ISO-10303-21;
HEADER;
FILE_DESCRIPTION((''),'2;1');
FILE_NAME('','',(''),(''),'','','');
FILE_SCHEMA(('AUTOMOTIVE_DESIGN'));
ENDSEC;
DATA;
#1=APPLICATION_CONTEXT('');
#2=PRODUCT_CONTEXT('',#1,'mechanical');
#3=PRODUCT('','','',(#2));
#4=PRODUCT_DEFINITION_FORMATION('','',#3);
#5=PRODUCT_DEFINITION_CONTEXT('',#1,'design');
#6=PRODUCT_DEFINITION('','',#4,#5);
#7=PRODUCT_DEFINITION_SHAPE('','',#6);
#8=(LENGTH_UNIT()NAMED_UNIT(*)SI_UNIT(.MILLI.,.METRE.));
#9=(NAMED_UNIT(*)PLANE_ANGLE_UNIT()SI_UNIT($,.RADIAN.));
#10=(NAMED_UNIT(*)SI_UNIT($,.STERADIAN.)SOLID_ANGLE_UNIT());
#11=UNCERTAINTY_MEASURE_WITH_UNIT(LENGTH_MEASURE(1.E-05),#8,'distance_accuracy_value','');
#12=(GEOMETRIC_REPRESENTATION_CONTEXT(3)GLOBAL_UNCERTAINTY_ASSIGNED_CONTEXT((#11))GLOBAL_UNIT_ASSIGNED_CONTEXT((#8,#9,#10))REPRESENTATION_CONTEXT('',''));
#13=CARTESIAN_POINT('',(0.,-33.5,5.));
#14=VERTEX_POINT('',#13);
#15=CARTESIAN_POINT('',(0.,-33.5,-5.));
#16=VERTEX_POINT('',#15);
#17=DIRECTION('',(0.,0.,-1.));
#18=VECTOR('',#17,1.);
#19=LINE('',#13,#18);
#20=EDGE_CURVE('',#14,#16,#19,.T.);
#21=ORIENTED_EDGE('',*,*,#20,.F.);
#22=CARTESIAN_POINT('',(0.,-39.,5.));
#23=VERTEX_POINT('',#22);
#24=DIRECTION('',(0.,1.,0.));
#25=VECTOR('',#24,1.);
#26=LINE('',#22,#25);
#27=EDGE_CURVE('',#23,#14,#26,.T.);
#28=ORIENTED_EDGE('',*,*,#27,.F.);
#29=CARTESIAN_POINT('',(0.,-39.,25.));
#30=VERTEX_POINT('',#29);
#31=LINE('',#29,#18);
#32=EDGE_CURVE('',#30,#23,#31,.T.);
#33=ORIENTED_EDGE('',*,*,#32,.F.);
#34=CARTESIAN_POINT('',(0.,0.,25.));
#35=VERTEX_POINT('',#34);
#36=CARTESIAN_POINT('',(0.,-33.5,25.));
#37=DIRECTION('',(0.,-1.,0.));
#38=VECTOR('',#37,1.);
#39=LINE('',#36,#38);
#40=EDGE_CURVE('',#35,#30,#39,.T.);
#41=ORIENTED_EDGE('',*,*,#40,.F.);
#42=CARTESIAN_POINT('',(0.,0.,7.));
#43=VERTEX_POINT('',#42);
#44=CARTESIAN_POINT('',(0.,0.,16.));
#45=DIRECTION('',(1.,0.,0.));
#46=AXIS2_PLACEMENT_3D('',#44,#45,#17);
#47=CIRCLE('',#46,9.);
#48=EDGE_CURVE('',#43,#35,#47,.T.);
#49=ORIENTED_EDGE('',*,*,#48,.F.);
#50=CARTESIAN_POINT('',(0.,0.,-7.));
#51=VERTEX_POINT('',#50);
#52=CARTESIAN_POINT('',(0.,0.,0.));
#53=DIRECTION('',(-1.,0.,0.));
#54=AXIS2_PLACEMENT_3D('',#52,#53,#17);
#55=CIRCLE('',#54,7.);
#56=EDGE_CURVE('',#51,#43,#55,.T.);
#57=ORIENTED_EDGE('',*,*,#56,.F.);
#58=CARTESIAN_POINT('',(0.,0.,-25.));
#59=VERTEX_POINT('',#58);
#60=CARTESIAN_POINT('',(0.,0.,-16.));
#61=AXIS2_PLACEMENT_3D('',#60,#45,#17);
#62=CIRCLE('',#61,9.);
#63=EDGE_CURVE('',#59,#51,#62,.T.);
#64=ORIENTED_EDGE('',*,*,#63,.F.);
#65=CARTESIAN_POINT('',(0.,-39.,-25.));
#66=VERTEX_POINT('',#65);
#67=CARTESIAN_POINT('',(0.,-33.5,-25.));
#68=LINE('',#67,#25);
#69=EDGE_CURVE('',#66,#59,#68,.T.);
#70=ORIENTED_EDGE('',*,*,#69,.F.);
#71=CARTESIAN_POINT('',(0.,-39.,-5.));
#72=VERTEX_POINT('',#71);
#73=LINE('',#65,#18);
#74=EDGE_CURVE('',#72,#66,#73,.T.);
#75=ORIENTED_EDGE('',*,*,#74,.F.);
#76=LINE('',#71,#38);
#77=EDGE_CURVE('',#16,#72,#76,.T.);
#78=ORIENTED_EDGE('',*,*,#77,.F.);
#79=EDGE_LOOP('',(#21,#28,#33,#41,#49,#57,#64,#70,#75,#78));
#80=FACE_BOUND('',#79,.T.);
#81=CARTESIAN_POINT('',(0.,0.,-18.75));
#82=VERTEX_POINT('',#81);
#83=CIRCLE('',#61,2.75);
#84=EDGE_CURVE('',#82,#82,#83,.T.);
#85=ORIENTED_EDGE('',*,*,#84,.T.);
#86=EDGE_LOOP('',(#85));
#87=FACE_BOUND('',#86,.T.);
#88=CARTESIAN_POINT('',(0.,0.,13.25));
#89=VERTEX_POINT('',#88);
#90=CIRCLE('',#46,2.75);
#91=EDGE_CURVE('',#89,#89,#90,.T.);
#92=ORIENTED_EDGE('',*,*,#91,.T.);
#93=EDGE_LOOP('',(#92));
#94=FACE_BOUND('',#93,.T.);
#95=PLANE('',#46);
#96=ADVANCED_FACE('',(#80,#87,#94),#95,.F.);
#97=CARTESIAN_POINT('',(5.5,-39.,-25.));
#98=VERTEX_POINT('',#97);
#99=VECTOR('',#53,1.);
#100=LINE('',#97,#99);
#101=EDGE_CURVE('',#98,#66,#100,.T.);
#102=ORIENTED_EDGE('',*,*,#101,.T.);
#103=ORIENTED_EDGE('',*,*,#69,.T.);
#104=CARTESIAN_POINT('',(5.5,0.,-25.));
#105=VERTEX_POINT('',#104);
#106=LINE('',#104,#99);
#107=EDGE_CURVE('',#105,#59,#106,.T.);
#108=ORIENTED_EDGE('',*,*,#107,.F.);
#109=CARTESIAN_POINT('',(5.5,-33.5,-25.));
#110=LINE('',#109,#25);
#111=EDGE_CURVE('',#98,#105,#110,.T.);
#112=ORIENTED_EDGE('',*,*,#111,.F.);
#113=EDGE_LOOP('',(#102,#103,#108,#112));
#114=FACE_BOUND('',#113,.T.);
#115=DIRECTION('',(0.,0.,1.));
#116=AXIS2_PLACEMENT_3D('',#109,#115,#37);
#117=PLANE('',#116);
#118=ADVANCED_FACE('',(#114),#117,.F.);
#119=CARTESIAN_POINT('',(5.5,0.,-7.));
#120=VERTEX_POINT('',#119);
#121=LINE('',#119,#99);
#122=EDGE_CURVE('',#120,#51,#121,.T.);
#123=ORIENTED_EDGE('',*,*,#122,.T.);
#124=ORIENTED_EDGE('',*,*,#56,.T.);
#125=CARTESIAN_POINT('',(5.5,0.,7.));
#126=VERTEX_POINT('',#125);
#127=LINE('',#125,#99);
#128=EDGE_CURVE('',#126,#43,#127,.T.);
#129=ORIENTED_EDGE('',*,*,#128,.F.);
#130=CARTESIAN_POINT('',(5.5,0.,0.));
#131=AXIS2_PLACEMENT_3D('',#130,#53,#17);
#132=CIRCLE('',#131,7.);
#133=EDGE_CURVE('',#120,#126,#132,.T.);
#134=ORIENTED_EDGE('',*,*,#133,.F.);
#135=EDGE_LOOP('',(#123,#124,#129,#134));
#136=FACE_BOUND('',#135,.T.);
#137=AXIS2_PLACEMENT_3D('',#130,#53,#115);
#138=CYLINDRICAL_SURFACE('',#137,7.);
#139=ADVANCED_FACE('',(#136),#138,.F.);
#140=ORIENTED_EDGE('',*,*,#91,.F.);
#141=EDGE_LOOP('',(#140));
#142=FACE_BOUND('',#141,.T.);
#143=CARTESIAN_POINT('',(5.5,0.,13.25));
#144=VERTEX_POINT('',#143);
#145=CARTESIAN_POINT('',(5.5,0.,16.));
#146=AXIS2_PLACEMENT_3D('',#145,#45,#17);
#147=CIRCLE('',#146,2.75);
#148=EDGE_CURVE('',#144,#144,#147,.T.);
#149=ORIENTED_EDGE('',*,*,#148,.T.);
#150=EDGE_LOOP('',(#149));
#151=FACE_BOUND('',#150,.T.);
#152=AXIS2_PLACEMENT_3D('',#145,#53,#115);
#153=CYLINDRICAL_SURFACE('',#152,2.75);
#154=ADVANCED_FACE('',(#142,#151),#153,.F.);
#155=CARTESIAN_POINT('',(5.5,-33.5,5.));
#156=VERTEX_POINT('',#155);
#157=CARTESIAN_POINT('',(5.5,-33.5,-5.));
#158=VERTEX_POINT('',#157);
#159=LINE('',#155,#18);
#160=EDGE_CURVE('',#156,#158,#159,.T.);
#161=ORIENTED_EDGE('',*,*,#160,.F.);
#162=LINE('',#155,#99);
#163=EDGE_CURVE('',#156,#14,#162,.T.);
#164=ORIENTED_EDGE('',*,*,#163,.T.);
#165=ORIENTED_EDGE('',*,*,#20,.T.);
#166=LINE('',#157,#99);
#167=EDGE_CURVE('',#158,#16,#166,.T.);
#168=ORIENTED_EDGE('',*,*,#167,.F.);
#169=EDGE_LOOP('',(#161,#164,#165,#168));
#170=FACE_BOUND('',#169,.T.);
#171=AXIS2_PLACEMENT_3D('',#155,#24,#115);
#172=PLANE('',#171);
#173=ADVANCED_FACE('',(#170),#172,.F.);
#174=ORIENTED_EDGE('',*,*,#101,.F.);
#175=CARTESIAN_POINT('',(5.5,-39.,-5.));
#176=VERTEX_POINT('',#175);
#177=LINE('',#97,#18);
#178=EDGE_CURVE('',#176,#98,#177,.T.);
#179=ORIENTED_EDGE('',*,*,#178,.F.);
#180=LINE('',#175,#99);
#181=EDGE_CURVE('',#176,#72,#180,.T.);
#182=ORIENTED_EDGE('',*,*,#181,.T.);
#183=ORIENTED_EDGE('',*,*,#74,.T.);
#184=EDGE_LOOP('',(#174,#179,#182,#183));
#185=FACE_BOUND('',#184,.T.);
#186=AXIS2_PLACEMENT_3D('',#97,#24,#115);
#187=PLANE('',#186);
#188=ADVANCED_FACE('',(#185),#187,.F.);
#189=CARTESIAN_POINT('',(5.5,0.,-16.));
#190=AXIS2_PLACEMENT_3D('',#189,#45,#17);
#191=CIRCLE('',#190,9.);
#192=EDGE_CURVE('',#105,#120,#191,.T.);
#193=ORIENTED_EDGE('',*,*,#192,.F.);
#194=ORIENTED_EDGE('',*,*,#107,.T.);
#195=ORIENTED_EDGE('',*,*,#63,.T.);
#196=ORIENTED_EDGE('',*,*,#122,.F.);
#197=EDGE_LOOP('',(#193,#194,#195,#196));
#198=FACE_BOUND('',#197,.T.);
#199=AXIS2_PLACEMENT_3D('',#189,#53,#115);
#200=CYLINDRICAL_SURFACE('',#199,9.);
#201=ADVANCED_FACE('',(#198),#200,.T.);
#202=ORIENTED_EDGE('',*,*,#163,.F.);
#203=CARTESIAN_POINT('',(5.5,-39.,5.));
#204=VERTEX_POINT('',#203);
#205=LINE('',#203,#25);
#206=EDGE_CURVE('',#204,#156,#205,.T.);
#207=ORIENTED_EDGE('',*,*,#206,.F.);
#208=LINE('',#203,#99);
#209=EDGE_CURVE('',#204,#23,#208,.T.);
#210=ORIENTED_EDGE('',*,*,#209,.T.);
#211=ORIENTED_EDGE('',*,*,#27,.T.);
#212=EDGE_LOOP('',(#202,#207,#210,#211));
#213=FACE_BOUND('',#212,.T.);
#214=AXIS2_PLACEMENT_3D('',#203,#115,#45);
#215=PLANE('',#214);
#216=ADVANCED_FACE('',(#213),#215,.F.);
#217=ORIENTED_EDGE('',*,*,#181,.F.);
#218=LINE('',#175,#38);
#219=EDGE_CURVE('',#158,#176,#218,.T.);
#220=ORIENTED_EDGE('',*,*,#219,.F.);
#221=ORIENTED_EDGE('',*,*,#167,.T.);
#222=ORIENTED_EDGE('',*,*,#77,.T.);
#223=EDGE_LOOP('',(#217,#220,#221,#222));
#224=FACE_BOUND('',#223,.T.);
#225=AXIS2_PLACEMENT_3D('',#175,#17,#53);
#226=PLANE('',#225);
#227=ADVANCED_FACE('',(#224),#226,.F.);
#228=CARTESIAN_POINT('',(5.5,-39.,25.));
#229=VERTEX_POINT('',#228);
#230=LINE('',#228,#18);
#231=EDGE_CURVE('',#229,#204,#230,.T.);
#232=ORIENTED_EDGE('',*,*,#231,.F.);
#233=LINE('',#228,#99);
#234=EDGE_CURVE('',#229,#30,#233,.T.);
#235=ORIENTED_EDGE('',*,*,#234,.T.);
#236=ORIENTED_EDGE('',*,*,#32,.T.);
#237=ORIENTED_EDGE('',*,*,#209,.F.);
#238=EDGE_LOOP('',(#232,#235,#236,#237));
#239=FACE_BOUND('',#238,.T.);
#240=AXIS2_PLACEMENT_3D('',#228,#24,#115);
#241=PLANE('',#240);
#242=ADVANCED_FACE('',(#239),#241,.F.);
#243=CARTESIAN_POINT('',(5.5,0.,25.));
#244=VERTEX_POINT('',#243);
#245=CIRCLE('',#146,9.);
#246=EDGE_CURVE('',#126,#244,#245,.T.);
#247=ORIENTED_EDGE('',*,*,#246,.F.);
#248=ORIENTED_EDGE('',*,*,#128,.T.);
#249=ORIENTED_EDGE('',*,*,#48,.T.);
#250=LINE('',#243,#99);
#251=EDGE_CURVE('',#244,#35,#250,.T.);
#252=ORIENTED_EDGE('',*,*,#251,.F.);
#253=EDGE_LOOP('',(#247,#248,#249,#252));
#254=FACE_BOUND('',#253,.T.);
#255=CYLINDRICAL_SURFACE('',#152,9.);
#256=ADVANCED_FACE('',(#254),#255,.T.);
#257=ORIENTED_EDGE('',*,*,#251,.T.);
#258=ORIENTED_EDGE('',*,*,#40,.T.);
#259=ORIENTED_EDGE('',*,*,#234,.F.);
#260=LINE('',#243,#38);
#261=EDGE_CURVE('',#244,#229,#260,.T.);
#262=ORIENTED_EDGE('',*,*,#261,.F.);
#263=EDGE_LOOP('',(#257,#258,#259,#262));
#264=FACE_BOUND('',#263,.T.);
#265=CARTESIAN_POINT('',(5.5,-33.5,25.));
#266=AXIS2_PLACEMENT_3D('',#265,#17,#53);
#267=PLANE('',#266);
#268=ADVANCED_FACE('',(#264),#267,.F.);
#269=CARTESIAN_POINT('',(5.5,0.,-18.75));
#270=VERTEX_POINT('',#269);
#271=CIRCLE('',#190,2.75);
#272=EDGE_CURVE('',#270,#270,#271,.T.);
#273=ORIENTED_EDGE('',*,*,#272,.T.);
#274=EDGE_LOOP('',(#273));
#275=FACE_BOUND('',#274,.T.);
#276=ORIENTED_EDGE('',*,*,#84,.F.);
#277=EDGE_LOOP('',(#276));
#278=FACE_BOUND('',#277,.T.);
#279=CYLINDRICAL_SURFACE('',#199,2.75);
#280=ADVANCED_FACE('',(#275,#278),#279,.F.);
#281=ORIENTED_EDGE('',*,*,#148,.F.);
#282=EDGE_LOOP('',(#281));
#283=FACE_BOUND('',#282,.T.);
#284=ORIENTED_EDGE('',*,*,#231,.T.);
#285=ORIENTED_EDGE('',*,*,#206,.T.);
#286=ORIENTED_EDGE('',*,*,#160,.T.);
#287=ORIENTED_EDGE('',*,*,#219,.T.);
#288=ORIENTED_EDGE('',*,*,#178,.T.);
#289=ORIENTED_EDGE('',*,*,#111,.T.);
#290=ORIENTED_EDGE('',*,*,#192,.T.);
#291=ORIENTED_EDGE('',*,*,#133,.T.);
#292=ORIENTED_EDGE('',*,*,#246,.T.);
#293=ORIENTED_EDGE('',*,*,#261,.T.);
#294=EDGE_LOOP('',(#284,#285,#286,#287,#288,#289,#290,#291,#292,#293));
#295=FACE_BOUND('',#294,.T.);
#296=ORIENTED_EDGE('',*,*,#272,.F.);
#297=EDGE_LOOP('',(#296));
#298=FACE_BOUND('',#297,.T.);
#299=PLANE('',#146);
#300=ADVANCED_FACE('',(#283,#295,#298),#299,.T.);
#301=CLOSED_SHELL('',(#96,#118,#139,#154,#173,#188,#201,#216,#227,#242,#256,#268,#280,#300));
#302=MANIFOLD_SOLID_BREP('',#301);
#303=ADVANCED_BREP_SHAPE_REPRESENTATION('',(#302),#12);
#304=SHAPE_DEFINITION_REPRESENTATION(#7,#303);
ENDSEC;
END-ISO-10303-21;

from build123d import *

# Parameters (mm, degrees)
CROQUIS1_R              = 2.75
SALIENTE_EXTRUIR1_DEPTH = 5.5


with BuildPart() as part:
    # Croquis1 → Saliente-Extruir1 (new body)
    with BuildSketch(Plane(origin=(0, 0, 0), x_dir=(0, 0, -1), z_dir=(1, 0, 0))):
        with BuildLine():
            Line((-25, 0), (-25, -33.5))
            Line((-25, -33.5), (-25, -39))
            Line((-25, -39), (-5, -39))
            Line((-5, -39), (-5, -33.5))
            Line((-5, -33.5), (5, -33.5))
            Line((5, -33.5), (5, -39))
            Line((5, -39), (25, -39))
            Line((25, -39), (25, -33.5))
            Line((25, -33.5), (25, 0))
            ThreePointArc((25, 0), (16, 9), (7, 0))
            ThreePointArc((7, 0), (0, -7), (-7, 0))
            ThreePointArc((-7, 0), (-16, 9), (-25, 0))
        make_face()
        with Locations((-16, 0)):
            Circle(CROQUIS1_R, mode=Mode.SUBTRACT)
        with Locations((16, 0)):
            Circle(CROQUIS1_R, mode=Mode.SUBTRACT)
    extrude(amount=SALIENTE_EXTRUIR1_DEPTH)


solid = part.part
